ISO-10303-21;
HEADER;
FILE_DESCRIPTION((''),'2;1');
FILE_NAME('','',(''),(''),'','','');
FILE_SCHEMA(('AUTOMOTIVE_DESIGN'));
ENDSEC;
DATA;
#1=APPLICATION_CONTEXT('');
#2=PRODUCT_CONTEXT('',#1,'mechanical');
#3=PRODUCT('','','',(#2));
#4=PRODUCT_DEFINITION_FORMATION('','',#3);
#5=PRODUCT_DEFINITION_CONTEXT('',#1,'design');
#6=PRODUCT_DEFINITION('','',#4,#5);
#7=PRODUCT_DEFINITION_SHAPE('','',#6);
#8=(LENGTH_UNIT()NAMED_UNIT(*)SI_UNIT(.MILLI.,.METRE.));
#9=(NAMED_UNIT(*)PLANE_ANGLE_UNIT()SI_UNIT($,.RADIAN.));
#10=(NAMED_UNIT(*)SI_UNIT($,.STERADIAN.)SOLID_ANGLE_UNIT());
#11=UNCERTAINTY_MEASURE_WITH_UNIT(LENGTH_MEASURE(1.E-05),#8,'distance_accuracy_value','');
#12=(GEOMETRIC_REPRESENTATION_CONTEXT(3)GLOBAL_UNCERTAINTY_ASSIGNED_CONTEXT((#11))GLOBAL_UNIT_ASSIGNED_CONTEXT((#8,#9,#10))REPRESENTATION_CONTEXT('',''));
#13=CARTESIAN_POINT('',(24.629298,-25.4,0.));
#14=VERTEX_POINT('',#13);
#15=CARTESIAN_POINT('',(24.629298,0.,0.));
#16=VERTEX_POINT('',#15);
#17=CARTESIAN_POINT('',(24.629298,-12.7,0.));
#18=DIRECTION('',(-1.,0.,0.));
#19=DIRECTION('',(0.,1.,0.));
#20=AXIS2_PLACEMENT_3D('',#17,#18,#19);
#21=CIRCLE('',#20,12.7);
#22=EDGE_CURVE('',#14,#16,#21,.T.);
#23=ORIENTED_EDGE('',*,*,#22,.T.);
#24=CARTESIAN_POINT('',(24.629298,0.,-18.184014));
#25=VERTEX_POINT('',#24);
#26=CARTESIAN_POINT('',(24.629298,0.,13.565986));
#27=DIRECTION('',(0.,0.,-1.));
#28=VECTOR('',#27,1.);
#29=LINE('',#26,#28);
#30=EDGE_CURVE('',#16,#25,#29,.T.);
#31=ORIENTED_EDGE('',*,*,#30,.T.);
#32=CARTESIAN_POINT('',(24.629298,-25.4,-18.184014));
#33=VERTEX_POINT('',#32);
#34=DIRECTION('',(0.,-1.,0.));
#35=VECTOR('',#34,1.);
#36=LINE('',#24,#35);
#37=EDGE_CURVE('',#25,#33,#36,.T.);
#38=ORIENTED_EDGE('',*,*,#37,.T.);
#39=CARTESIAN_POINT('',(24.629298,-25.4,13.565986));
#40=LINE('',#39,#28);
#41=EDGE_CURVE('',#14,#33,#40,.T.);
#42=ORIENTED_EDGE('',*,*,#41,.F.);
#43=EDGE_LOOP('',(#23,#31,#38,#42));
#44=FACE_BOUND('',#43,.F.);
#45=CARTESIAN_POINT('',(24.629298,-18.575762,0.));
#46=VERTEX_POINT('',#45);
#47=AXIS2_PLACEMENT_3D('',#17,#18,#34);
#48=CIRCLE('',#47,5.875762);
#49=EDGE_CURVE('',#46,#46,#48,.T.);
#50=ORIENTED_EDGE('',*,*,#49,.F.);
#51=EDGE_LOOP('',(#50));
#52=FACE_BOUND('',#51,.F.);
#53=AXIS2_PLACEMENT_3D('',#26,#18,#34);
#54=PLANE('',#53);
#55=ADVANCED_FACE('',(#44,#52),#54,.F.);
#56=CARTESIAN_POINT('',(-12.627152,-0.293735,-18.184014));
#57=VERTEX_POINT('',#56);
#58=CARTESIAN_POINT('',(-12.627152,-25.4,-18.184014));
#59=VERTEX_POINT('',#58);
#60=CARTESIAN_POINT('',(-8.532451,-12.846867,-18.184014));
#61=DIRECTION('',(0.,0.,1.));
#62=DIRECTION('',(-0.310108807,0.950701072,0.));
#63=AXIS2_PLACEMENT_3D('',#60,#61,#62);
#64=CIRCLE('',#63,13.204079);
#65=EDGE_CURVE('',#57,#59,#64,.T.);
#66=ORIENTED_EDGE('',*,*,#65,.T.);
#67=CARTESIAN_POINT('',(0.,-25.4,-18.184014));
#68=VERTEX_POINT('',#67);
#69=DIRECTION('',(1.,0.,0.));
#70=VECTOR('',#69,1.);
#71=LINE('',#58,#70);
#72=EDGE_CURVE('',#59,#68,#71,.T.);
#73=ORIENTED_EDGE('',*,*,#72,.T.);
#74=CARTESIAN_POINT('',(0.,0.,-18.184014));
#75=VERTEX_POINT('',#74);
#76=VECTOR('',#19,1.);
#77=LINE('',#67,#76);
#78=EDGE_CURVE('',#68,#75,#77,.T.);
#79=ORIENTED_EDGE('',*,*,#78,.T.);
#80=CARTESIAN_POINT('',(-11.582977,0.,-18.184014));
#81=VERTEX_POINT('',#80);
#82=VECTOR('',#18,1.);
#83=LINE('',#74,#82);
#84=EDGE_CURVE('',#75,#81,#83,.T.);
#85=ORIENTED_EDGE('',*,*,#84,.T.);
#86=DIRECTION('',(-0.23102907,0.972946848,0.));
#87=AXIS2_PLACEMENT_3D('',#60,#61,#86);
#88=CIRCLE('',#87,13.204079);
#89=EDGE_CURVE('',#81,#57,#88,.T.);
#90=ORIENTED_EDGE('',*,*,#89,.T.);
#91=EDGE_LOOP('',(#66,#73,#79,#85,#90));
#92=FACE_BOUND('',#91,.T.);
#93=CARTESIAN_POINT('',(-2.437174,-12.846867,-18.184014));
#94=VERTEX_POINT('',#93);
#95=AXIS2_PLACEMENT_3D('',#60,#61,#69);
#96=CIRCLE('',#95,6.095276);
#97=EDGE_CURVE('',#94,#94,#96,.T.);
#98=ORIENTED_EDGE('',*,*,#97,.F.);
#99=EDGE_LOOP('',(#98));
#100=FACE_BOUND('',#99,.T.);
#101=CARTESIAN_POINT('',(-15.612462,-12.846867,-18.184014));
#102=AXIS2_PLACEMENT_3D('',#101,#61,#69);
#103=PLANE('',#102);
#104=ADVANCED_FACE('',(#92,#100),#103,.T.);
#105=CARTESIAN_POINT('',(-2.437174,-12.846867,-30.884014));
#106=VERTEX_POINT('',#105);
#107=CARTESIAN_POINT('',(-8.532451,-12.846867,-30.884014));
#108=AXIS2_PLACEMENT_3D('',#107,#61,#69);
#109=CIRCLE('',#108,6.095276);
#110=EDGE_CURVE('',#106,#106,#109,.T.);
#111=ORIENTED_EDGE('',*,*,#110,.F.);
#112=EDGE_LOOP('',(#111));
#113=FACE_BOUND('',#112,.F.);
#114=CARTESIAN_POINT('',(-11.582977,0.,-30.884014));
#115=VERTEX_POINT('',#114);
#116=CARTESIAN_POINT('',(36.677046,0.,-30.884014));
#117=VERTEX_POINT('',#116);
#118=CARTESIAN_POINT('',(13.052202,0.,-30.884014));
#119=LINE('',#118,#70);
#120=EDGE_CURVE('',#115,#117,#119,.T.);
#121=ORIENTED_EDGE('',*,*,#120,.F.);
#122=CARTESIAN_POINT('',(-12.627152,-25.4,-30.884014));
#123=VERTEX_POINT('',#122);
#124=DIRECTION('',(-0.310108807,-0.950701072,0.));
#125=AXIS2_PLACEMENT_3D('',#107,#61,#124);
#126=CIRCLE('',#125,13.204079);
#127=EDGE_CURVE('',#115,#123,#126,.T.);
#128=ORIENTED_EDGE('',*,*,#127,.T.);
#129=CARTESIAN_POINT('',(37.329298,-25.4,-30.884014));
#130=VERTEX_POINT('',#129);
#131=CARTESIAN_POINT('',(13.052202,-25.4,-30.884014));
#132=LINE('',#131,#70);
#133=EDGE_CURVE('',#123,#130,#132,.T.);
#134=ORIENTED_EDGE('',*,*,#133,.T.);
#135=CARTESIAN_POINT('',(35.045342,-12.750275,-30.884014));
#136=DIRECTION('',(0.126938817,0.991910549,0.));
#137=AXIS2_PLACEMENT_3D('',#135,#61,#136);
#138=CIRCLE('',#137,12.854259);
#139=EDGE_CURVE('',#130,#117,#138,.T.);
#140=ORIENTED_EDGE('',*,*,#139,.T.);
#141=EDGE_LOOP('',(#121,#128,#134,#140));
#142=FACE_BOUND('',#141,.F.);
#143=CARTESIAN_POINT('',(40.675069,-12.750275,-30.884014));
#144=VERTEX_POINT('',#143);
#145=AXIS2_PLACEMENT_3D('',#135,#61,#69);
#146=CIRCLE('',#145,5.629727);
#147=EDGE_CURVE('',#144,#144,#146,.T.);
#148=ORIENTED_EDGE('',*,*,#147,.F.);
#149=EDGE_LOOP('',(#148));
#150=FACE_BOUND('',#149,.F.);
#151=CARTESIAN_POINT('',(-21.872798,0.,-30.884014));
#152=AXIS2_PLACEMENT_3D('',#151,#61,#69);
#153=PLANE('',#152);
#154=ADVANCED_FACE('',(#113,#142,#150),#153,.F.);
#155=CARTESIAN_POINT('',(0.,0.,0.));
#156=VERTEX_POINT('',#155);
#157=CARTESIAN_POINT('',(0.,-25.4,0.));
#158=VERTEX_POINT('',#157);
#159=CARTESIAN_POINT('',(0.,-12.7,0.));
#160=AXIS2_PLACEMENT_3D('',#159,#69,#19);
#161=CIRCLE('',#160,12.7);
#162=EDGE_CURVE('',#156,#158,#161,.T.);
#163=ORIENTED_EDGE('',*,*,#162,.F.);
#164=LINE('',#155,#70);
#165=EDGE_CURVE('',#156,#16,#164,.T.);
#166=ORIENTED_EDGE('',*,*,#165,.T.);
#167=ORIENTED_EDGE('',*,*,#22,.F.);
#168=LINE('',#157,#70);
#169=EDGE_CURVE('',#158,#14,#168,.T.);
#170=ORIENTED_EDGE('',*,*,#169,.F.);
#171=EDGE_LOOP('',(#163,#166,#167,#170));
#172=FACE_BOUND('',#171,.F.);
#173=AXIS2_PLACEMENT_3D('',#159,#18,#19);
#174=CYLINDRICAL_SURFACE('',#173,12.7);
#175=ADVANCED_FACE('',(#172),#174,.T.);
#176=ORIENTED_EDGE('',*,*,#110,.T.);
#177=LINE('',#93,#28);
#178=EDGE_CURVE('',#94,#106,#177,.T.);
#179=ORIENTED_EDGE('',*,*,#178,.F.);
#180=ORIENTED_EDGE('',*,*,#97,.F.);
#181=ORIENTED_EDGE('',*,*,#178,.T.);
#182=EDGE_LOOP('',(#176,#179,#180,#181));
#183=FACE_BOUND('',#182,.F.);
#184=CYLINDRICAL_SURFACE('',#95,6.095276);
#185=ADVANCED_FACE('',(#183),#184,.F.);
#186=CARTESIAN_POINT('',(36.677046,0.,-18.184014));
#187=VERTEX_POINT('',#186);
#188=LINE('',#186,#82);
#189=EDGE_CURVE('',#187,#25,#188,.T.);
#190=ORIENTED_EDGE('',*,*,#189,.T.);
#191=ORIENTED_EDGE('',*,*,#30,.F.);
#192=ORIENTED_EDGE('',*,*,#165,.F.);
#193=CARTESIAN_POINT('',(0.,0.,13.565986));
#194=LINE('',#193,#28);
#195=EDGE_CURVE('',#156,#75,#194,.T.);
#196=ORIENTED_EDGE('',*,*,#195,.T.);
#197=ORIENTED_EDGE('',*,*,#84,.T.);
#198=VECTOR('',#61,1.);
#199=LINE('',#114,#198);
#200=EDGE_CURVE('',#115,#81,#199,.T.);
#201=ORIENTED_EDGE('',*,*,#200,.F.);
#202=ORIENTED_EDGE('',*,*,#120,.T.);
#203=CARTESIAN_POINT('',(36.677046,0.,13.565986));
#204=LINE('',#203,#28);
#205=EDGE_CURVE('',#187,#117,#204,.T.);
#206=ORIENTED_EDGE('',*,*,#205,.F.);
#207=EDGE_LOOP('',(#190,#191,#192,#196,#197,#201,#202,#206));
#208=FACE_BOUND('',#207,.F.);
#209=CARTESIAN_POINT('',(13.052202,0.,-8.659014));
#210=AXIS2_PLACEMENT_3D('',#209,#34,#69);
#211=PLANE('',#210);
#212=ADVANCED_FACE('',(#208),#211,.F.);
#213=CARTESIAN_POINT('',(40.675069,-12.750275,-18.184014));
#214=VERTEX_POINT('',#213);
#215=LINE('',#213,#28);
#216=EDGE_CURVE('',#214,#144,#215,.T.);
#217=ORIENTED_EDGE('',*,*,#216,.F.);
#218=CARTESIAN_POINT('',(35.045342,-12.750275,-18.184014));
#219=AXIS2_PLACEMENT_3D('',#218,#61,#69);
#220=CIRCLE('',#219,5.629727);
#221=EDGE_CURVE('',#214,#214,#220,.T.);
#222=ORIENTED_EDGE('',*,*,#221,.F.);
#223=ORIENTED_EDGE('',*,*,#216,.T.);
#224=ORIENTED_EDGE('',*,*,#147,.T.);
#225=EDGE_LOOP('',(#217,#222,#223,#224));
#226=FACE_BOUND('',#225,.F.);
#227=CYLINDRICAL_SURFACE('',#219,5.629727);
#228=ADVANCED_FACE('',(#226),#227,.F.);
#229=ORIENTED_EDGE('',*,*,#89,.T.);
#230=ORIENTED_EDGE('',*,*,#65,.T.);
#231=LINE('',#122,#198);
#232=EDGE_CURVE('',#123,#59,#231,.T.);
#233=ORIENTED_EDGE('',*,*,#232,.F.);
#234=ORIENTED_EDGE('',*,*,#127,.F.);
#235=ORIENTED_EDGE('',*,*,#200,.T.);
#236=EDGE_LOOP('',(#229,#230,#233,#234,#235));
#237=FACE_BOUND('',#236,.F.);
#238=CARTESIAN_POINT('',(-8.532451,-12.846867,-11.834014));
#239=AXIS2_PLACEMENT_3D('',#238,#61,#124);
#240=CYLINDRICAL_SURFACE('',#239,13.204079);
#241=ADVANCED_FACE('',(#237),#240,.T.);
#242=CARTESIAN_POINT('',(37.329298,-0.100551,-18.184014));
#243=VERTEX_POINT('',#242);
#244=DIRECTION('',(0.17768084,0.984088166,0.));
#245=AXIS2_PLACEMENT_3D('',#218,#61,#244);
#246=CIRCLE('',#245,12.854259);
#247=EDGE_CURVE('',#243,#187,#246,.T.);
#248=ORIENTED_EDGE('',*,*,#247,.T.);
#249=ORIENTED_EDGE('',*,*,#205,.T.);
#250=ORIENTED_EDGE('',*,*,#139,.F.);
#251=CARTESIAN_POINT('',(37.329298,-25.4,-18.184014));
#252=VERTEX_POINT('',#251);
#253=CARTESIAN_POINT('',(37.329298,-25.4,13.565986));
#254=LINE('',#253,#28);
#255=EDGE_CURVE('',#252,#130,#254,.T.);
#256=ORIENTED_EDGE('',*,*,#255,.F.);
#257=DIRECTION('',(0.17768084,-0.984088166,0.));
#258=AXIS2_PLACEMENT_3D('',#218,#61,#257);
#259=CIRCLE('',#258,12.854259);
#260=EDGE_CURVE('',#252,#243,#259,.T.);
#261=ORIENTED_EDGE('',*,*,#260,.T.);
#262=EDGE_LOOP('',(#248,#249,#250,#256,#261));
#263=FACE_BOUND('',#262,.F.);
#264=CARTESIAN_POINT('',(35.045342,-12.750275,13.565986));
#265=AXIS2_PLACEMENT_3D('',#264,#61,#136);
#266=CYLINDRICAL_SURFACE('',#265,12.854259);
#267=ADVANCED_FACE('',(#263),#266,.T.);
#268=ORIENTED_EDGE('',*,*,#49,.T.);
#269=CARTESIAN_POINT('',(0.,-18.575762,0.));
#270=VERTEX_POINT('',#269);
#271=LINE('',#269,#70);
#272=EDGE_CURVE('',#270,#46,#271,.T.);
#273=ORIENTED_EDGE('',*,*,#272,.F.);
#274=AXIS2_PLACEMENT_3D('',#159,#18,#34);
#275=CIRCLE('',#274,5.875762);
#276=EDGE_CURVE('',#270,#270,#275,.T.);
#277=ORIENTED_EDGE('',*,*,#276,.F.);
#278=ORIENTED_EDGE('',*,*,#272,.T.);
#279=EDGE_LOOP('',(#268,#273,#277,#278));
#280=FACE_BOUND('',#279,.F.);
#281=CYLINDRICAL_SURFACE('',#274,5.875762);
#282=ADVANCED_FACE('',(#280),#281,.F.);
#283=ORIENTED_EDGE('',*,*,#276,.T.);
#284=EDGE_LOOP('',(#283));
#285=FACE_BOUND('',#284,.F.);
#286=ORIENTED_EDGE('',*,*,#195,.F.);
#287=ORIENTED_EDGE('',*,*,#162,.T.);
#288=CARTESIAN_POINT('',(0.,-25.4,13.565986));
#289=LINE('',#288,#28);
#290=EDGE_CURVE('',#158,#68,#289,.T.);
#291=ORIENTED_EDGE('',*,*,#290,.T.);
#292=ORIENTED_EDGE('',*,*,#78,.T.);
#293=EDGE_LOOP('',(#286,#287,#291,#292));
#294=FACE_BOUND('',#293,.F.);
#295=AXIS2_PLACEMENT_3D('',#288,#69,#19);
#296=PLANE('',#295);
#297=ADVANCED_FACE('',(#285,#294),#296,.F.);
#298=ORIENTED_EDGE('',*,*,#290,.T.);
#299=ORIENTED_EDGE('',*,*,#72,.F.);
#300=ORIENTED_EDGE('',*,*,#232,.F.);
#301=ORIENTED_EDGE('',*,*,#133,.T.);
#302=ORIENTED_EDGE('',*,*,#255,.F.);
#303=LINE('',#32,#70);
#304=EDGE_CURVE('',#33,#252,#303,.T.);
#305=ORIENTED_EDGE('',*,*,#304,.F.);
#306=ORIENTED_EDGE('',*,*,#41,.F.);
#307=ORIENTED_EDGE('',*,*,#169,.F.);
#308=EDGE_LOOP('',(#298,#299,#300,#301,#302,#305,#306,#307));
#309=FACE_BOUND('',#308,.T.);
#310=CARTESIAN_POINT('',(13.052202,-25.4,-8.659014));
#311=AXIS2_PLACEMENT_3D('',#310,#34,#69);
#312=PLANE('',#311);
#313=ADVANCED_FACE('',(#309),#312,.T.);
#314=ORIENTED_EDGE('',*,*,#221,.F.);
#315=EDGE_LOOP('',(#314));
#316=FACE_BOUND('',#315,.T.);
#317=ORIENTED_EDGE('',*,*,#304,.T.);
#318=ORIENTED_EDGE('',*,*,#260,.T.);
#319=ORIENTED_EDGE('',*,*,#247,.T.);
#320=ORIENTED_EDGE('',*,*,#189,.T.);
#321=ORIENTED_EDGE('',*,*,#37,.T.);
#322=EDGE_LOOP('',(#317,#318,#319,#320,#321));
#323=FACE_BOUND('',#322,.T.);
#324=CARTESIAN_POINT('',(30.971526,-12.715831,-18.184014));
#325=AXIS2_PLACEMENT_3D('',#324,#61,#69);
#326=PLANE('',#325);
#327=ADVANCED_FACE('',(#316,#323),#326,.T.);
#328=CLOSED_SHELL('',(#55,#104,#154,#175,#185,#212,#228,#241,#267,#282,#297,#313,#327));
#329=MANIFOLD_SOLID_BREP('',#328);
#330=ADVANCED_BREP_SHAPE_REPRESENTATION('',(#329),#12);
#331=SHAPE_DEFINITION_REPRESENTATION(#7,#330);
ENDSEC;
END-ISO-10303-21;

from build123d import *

# Parameters (mm, degrees)
F0_W      = 69.85
F0_H      = 44.45
F1_DEPTH  = 25.4
F3_DEPTH  = 25.4
F4_DEPTH  = 25.4
F6_DEPTH  = 31.75
F7_R      = 6.0952761175
F8_DEPTH  = 25.4
F9_R      = 5.6297266716
F10_DEPTH = 25.4
F12_DEPTH = 25.4
F13_R     = 5.87576174
F14_DEPTH = 25.4


with BuildPart() as f1:
    # F0 (on Front) → F1 (new body)
    with BuildSketch(Plane.XZ):
        with Locations((13.0522018299, -8.6590135922)):
            Rectangle(F0_W, F0_H)
    extrude(amount=F1_DEPTH)

    # F2 (on face) → F3 (cut)
    with BuildSketch(Plane.XY.offset(13.5659864078)):
        with BuildLine():
            Line((-21.8727981701, -25.4), (-12.6271519341, -25.4))
            ThreePointArc((-12.6271519341, -25.4), (-21.7253869392, -12.3045156894), (-11.5829768121, 0))
            Line((-11.5829768121, 0), (-21.8727981701, 0))
            Line((-21.8727981701, 0), (-21.8727981701, -25.4))
        make_face()
        with BuildLine():
            ThreePointArc((36.6770463917, 0), (47.8953651974, -12.4202974309), (37.3292975128, -25.4))
            Line((37.3292975128, -25.4), (47.9772018299, -25.4))
            Line((47.9772018299, -25.4), (47.9772018299, 0))
            Line((47.9772018299, 0), (36.6770463917, 0))
        make_face()
    extrude(amount=-F3_DEPTH, mode=Mode.SUBTRACT)

    # F4 (cut): faces of the model
    f4_faces = [f1.faces().sort_by_distance(p)[0] for p in [
        (-21.7527689283, -12.3033900362, -11.8340135922),
        (47.923156279, -12.4195837788, -11.8340135922),
    ]]
    extrude(f4_faces, amount=-F4_DEPTH, mode=Mode.SUBTRACT)

    # F5 (on face) → F6 (cut)
    with BuildSketch(Plane.XY.offset(13.5659864078)):
        with BuildLine():
            ThreePointArc((-12.6271519341, -0.2937349935), (-21.7365300731, -12.8468674968), (-12.6271519341, -25.4))
            Line((-12.6271519341, -25.4), (-12.6271519341, -0.2937349935))
        make_face()
        with BuildLine():
            Line((-12.6271519341, -0.2937349935), (-12.6271519341, -25.4))
            Line((-12.6271519341, -25.4), (0, -25.4))
            Line((0, -25.4), (0, 0))
            Line((0, 0), (-11.5829768121, 0))
            ThreePointArc((-11.5829768121, 0), (-12.1080819056, -0.136140711), (-12.6271519341, -0.2937349935))
        make_face()
        with BuildLine():
            Line((24.6292975128, 0), (24.6292975128, -25.4))
            Line((24.6292975128, -25.4), (37.3292975128, -25.4))
            Line((37.3292975128, -25.4), (37.3292975128, -0.1005509322))
            ThreePointArc((37.3292975128, -0.1005509322), (37.0038173622, -0.046088838), (36.6770463917, 0))
            Line((36.6770463917, 0), (24.6292975128, 0))
        make_face()
        with BuildLine():
            Line((37.3292975128, -0.1005509322), (37.3292975128, -25.4))
            ThreePointArc((37.3292975128, -25.4), (47.8996012815, -12.7502754661), (37.3292975128, -0.1005509322))
        make_face()
    extrude(amount=-F6_DEPTH, mode=Mode.SUBTRACT)

    # F7 (on face) → F8 (cut)
    with BuildSketch(Plane.XY.offset(-18.1840135922)):
        with Locations((-8.5324506041, -12.8468674968)):
            Circle(F7_R)
    extrude(amount=-F8_DEPTH, mode=Mode.SUBTRACT)

    # F9 (on face) → F10 (cut)
    with BuildSketch(Plane.XY.offset(-18.1840135922)):
        with Locations((35.0453419106, -12.7502754661)):
            Circle(F9_R)
    extrude(amount=-F10_DEPTH, mode=Mode.SUBTRACT)

    # F11 (on face) → F12 (cut)
    with BuildSketch(Plane(origin=(0, 0, 0), x_dir=(0, -1, 0), z_dir=(-1, 0, 0))):
        with BuildLine():
            Line((0, 13.5659864078), (0, 0))
            ThreePointArc((0, 0), (12.7, 12.7), (25.4, 0))
            Line((25.4, 0), (25.4, 13.5659864078))
            Line((25.4, 13.5659864078), (0, 13.5659864078))
        make_face()
    extrude(amount=-F12_DEPTH, mode=Mode.SUBTRACT)

    # F13 (on face) → F14 (cut)
    with BuildSketch(Plane(origin=(0, 0, 0), x_dir=(0, -1, 0), z_dir=(-1, 0, 0))):
        with Locations((12.7, 0)):
            Circle(F13_R)
    extrude(amount=-F14_DEPTH, mode=Mode.SUBTRACT)


solid = f1.part
